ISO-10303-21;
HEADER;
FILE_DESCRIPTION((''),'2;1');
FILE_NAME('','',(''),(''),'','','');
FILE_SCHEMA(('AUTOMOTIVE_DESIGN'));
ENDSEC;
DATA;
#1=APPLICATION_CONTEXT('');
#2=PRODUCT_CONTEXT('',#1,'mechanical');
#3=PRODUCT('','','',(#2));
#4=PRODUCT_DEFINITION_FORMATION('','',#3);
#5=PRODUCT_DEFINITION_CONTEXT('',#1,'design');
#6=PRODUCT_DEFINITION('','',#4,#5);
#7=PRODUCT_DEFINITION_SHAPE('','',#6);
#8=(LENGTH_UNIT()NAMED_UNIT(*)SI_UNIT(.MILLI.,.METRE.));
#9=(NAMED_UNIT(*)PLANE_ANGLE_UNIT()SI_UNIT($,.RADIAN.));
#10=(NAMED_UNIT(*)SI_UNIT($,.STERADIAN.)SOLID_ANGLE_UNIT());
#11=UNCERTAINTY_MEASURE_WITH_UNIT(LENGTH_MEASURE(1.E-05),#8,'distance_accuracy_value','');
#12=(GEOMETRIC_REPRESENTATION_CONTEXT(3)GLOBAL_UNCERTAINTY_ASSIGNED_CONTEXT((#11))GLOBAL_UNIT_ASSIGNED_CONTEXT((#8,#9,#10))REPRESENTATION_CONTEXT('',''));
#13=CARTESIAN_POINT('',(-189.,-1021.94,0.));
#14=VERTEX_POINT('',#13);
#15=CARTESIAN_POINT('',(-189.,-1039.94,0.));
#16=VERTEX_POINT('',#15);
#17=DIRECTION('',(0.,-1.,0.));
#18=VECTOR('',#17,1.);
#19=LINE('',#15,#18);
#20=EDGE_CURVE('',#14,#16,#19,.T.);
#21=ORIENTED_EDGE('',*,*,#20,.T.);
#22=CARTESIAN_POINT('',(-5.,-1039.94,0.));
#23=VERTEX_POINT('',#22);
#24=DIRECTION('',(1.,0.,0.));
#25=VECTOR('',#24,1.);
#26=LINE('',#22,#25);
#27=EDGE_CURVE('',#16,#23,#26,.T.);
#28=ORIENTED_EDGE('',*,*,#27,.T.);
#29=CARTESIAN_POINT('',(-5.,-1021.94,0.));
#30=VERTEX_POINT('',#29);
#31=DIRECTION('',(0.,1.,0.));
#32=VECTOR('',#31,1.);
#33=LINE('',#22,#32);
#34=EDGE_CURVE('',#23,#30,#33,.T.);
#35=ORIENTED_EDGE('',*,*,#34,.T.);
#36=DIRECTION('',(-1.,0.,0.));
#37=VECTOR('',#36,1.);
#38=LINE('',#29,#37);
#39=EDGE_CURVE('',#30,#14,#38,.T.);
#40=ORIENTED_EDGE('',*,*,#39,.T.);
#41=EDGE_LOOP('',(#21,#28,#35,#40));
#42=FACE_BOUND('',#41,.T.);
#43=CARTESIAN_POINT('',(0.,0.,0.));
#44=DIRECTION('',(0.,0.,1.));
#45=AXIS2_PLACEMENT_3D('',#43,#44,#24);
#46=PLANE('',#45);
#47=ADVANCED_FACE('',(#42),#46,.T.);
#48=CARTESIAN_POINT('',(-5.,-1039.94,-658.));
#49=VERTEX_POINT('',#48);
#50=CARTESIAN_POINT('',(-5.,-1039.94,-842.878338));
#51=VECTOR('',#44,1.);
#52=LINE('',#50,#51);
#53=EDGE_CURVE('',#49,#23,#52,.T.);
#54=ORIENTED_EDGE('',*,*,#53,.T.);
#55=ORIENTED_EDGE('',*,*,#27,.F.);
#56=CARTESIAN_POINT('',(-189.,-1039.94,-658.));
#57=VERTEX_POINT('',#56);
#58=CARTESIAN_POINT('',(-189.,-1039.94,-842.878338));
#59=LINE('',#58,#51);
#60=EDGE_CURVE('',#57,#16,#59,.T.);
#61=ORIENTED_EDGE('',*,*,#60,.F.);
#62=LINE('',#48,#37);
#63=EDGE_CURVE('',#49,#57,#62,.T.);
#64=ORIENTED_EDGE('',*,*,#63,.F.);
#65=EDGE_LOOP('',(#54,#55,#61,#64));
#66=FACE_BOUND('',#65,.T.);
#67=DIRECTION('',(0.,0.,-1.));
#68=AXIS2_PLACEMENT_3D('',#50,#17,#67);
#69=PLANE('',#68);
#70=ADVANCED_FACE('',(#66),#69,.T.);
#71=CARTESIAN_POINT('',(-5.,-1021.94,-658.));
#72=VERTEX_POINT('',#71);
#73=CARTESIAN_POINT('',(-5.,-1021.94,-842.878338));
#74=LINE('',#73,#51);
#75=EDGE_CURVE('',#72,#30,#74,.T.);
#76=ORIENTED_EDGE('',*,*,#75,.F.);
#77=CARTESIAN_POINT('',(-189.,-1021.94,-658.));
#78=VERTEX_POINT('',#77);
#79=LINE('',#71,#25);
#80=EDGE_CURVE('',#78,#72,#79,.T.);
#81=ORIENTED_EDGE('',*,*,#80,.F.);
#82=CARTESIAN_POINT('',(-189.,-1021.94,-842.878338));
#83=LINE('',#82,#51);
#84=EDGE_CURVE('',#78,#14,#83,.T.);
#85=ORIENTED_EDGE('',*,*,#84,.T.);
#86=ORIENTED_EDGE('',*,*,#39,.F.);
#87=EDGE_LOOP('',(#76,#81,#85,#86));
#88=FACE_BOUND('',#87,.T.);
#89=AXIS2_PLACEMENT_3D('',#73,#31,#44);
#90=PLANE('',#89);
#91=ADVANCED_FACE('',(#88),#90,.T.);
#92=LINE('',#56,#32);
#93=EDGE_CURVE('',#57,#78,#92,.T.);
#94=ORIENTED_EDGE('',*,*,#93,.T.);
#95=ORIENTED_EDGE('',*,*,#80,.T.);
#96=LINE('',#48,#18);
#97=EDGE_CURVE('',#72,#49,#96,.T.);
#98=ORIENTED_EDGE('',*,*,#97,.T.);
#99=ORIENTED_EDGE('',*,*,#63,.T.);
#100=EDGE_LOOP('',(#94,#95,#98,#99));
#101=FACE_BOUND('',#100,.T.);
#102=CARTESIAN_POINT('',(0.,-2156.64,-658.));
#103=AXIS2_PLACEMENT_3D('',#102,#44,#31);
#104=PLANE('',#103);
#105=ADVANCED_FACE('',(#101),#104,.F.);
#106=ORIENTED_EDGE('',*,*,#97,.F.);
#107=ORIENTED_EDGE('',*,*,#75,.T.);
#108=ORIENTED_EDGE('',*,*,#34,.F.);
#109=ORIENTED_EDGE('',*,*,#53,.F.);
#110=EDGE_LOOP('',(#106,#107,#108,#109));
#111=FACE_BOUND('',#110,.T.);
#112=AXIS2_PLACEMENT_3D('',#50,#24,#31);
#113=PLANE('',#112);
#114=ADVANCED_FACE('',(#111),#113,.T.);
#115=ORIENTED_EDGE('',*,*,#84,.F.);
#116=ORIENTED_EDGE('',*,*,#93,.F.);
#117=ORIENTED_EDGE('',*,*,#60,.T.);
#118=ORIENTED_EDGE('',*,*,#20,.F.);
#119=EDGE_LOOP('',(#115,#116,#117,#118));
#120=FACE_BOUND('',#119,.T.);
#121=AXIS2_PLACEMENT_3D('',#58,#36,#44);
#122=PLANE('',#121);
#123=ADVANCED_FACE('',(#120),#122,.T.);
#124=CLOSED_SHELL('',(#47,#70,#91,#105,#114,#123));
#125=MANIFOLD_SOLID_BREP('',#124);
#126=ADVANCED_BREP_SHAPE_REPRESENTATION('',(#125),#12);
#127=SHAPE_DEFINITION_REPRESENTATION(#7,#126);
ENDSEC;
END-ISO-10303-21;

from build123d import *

# Parameters (mm, degrees)
SKETCH1_W           = 184
SKETCH1_H           = 18
BOSS_EXTRUDE1_DEPTH = 658


with BuildPart() as part:
    # Sketch1 → Boss-Extrude1 (new body)
    with BuildSketch(Plane.XY):
        with Locations((-97, -1030.94)):
            Rectangle(SKETCH1_W, SKETCH1_H)
    extrude(amount=-BOSS_EXTRUDE1_DEPTH)


solid = part.part
